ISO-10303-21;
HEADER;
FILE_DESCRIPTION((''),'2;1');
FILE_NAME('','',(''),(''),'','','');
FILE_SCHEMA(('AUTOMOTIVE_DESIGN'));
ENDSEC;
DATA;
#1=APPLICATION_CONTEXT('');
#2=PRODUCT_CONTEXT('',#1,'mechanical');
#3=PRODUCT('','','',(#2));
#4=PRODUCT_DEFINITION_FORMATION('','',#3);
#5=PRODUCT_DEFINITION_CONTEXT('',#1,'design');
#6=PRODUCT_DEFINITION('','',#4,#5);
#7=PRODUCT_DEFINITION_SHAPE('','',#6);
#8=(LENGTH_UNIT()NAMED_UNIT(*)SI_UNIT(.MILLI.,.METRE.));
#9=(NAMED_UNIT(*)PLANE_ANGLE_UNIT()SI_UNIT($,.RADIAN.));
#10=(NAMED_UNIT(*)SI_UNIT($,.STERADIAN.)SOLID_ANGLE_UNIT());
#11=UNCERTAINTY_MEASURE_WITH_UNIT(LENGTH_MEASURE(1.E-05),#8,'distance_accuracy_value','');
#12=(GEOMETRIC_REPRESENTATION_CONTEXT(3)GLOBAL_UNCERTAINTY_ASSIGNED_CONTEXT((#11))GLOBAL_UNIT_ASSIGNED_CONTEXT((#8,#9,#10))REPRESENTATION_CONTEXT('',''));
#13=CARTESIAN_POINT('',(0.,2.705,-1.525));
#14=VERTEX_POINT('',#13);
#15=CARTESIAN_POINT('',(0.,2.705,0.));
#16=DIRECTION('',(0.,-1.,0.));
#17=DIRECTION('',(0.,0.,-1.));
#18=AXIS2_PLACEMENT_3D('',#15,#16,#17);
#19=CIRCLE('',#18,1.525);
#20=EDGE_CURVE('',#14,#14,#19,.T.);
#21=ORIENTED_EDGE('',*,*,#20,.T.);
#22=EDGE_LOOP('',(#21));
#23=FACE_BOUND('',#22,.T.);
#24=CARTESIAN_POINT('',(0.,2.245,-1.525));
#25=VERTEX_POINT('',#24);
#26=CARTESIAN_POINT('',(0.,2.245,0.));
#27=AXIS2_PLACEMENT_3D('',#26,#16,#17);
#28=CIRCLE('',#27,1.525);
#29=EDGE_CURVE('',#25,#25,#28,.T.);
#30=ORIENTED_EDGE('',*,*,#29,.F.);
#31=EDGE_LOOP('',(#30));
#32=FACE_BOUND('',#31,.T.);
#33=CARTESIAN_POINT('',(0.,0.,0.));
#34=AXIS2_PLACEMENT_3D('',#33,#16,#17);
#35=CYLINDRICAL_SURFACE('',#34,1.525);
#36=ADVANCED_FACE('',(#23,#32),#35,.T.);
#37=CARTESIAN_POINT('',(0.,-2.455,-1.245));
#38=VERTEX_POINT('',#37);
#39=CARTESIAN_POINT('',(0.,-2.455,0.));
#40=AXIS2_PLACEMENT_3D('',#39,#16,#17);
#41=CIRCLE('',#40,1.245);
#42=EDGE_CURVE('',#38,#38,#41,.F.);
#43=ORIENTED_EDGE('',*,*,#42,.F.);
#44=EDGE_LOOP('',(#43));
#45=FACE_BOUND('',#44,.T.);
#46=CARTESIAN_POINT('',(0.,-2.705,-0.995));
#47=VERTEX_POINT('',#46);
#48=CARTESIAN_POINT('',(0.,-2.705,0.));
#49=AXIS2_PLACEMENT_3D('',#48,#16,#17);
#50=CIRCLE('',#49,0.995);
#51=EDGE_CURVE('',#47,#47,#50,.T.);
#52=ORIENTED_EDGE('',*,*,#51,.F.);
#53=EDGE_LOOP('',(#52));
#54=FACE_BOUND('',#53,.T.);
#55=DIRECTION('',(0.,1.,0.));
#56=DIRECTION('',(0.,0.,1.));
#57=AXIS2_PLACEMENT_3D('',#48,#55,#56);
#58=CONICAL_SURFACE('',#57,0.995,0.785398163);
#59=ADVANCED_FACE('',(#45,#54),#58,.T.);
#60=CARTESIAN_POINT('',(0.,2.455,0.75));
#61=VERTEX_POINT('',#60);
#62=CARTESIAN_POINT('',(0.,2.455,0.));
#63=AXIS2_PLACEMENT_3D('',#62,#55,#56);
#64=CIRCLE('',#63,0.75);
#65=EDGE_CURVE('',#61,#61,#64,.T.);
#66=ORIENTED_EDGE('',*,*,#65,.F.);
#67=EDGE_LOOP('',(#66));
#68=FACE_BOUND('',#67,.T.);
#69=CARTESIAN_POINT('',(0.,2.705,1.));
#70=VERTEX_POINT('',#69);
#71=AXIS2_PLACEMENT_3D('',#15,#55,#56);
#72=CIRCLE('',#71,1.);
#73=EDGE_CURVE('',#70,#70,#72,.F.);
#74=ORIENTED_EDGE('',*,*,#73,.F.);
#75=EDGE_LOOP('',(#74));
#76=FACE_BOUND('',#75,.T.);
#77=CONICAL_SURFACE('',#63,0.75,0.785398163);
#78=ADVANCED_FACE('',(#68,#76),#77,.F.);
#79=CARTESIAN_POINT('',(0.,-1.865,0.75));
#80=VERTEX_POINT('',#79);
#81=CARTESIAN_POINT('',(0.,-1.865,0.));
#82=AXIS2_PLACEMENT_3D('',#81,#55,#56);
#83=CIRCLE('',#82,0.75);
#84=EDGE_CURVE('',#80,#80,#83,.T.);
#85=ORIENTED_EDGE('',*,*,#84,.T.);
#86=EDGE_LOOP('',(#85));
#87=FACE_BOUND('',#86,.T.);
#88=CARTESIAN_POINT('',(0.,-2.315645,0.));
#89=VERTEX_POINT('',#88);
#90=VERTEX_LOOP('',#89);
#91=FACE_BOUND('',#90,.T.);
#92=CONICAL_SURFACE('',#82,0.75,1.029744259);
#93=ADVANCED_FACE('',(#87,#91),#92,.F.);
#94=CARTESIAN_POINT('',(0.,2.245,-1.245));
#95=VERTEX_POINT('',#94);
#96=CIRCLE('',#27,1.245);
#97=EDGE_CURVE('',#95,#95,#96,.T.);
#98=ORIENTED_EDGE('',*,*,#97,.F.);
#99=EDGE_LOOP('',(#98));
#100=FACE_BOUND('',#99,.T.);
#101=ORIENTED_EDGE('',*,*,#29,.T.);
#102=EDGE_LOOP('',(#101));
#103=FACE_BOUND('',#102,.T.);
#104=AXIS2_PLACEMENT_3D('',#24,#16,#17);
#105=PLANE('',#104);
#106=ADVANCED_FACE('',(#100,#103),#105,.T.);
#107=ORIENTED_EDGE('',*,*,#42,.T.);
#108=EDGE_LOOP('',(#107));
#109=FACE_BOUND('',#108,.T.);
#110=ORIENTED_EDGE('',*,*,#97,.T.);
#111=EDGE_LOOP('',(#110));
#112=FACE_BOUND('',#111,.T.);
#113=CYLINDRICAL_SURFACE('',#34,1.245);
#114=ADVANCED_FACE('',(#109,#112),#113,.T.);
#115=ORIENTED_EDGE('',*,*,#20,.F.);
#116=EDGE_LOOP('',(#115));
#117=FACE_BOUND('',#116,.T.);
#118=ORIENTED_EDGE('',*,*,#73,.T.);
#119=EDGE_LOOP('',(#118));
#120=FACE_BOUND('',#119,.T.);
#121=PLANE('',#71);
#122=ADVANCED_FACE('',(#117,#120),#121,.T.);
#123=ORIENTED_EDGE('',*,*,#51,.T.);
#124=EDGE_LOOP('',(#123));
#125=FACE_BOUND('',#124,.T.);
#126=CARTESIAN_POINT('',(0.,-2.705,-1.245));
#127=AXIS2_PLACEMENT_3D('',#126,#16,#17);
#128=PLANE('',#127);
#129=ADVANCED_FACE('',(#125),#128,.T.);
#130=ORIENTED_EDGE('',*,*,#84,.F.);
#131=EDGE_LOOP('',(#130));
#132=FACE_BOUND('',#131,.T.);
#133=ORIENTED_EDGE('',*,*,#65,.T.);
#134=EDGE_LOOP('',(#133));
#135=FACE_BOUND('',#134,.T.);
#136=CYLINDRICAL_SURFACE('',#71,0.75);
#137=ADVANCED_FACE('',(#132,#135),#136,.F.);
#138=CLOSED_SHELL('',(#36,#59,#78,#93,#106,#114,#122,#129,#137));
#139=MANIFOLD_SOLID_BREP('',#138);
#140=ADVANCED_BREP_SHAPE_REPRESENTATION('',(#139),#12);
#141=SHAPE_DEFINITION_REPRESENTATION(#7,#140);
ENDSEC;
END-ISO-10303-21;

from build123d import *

# Parameters (mm, degrees)
F_1_5_1_5_DIAMETER_HOLE1_D     = 1.5
F_1_5_1_5_DIAMETER_HOLE1_DEPTH = 4.57
F_1_5_1_5_DIAMETER_HOLE1_TIP   = 0.450645464
CHAMFER1_SIZE                  = 0.25
CHAMFER2_SIZE                  = 0.25


with BuildPart() as part:
    # Sketch1 → Revolve1 (revolve)
    with BuildSketch(Plane(origin=(0, 0, 0), x_dir=(0, 0, -1), z_dir=(1, 0, 0))):
        Polygon((0, 2.705), (1.525, 2.705), (1.525, 2.245), (1.245, 2.245), (1.245, -2.705), (0, -2.705), align=None)
    revolve(axis=Axis((0, 0, 0), (0, 1, 0)))

    # Ø1.5 (1.5) Diameter Hole1
    with Locations(Plane.ZX.offset(2.705)):
        with Locations((0, 0)):
            Hole(F_1_5_1_5_DIAMETER_HOLE1_D / 2, depth=F_1_5_1_5_DIAMETER_HOLE1_DEPTH)
            with Locations((0, 0, -(F_1_5_1_5_DIAMETER_HOLE1_DEPTH + F_1_5_1_5_DIAMETER_HOLE1_TIP / 2))):  # 118° drill point
                Cone(0, F_1_5_1_5_DIAMETER_HOLE1_D / 2, F_1_5_1_5_DIAMETER_HOLE1_TIP, mode=Mode.SUBTRACT)

    # Chamfer1
    chamfer1_edges = [part.edges().sort_by_distance(p)[0] for p in [
        (0, -2.705, 1.245),
    ]]
    chamfer(chamfer1_edges, length=CHAMFER1_SIZE)

    # Chamfer2
    chamfer2_edges = [part.edges().sort_by_distance(p)[0] for p in [
        (0, 2.705, 0.75),
    ]]
    chamfer(chamfer2_edges, length=CHAMFER2_SIZE)


solid = part.part
